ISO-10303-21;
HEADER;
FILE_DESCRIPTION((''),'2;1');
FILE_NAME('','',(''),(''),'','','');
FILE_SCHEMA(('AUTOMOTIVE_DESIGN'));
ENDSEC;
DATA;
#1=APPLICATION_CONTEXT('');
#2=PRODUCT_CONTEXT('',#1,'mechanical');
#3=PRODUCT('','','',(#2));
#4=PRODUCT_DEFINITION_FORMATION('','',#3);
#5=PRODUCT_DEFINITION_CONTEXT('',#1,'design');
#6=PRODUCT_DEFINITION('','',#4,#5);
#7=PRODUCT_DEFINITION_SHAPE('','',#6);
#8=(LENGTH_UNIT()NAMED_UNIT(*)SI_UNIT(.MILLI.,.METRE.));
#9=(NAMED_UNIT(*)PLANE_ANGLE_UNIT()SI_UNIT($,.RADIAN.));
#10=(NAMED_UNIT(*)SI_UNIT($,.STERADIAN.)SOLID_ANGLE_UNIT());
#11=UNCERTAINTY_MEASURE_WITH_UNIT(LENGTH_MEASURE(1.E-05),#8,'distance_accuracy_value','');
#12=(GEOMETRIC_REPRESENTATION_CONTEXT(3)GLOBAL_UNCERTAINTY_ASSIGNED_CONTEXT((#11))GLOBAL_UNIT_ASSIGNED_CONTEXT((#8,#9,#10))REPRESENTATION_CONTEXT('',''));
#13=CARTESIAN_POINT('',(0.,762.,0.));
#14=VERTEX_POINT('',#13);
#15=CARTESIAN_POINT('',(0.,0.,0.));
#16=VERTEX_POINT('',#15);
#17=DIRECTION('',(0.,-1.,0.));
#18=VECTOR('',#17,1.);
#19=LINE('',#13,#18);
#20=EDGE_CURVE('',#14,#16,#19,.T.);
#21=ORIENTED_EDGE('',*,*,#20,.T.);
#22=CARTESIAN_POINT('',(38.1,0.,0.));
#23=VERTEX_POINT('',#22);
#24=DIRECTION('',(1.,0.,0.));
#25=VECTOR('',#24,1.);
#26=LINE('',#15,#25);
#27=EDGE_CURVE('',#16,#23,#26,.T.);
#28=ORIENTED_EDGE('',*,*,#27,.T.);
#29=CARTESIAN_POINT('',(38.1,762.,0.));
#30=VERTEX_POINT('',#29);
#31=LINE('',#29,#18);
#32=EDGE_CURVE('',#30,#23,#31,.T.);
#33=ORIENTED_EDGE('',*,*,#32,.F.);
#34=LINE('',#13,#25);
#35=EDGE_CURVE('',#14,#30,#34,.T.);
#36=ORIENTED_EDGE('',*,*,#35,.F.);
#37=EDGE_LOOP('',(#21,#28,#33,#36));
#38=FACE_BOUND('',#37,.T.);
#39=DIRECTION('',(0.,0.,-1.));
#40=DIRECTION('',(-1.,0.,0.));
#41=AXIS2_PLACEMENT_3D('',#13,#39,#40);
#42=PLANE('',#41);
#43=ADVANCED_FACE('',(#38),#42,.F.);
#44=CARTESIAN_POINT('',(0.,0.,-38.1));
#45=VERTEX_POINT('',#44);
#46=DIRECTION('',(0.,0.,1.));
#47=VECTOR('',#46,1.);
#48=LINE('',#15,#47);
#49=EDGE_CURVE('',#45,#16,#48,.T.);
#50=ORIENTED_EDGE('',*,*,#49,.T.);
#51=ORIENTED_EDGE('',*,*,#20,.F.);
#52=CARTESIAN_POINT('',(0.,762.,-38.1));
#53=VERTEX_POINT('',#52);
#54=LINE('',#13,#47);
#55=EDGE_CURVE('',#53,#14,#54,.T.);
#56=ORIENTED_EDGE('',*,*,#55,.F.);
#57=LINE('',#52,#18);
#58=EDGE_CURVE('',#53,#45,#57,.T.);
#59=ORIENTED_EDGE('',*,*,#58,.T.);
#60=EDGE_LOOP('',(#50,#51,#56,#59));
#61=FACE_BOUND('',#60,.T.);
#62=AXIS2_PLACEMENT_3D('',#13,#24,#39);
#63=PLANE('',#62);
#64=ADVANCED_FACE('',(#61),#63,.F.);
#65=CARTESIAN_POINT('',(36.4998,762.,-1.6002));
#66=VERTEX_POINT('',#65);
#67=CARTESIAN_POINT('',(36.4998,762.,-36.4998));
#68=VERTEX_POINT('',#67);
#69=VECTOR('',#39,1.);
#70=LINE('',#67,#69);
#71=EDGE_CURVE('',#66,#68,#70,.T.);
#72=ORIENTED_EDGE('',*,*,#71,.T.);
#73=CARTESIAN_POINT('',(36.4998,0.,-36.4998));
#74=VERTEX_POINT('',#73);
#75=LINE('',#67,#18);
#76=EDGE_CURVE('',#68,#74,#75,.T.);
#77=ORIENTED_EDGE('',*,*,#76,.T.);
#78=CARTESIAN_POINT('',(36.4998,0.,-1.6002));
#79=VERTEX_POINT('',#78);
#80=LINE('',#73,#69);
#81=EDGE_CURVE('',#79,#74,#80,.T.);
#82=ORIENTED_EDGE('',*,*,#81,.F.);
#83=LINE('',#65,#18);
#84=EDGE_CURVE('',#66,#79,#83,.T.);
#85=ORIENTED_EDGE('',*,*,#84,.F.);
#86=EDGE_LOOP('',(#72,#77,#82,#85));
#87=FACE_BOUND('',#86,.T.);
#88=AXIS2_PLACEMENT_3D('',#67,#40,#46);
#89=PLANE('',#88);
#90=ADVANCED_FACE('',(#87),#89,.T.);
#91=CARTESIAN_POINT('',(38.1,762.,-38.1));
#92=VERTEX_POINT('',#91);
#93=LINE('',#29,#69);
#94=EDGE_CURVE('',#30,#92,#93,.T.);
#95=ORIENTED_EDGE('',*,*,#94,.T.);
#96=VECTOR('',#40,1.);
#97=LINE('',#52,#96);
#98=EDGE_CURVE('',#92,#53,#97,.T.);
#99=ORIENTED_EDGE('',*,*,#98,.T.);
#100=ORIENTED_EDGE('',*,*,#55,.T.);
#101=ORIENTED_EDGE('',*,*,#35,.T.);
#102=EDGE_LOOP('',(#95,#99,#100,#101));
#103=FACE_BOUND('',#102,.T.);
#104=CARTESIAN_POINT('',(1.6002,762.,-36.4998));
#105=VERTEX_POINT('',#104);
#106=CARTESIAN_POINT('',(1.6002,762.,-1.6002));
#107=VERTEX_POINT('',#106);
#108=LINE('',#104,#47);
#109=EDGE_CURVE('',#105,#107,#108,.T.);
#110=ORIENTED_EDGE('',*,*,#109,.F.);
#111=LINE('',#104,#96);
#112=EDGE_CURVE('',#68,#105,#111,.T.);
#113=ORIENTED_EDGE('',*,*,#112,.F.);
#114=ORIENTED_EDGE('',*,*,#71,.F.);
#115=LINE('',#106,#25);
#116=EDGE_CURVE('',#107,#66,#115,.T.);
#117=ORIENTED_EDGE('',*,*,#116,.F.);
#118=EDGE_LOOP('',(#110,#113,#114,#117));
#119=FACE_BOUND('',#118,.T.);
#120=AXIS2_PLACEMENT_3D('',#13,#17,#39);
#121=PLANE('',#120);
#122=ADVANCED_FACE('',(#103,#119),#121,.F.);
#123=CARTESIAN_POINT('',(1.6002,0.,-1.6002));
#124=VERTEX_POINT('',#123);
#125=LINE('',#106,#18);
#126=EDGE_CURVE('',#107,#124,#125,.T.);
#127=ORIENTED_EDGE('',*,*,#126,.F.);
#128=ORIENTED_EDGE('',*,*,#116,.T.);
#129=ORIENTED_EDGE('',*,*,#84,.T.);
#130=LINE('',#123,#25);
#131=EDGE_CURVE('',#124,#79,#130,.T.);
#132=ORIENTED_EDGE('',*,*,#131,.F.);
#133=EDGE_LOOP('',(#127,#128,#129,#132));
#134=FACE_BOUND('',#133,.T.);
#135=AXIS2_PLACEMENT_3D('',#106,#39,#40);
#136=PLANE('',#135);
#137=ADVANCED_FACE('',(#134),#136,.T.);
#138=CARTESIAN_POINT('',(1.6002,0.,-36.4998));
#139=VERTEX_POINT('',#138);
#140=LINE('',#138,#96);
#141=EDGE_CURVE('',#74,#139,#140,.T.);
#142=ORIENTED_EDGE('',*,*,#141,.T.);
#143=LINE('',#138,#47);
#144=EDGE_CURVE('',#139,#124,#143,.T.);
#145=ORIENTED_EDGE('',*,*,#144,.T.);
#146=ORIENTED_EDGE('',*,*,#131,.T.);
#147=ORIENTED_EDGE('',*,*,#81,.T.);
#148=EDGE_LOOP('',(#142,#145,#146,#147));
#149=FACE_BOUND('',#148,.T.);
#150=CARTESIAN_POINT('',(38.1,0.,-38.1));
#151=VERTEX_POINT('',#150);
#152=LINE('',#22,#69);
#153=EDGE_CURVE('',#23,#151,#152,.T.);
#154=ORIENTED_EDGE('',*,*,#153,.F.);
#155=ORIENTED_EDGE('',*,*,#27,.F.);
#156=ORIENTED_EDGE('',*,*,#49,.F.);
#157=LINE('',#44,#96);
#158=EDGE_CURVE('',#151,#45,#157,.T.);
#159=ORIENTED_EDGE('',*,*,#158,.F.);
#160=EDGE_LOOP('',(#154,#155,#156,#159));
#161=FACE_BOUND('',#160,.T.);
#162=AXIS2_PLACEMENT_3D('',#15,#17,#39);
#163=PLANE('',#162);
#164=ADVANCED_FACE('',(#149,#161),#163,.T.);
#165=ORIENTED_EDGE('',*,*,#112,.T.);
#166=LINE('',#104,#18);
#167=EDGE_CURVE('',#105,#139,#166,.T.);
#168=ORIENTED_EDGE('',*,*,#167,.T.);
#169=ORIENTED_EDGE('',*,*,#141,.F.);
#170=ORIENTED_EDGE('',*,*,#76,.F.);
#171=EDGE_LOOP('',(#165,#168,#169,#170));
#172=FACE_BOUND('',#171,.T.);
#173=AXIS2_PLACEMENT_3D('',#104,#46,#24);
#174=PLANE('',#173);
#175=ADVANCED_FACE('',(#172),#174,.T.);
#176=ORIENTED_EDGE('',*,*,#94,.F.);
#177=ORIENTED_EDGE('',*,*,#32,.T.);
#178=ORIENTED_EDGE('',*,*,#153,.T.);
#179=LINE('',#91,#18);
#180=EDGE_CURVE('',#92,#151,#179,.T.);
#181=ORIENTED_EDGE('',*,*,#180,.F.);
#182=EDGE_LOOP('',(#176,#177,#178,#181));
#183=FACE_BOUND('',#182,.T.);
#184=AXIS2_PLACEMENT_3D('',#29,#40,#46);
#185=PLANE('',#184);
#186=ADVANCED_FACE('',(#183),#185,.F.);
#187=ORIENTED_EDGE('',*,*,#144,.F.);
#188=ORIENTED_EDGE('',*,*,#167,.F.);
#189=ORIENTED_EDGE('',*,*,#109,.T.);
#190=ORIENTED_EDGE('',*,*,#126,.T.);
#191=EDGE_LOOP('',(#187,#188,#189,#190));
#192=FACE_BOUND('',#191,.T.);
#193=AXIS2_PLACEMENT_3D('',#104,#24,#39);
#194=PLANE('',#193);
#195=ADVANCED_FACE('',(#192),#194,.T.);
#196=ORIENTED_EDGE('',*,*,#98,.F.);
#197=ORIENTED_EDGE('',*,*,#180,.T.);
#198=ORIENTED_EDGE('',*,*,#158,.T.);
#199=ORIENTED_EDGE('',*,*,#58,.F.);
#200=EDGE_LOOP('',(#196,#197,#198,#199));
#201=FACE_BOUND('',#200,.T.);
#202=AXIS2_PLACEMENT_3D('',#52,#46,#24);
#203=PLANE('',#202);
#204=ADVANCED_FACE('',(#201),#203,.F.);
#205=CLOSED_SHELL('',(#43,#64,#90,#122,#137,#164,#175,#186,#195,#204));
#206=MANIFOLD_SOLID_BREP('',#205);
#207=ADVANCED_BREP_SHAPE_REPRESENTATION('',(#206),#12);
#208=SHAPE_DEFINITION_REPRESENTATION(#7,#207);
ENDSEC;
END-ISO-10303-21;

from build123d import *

# Parameters (mm, degrees)
SKETCH1_W           = 38.1
SKETCH1_H           = 38.1
SKETCH1_W_2         = 34.8996
SKETCH1_H_2         = 34.8996
BOSS_EXTRUDE1_DEPTH = 762


with BuildPart() as part:
    # Sketch1 → Boss-Extrude1 (new body)
    with BuildSketch(Plane(origin=(0, 0, 0), x_dir=(1, 0, 0), z_dir=(0, 1, 0))):
        with Locations((19.05, 19.05)):
            Rectangle(SKETCH1_W, SKETCH1_H)
        with Locations((19.05, 19.05)):
            Rectangle(SKETCH1_W_2, SKETCH1_H_2, mode=Mode.SUBTRACT)
    extrude(amount=BOSS_EXTRUDE1_DEPTH)


solid = part.part
